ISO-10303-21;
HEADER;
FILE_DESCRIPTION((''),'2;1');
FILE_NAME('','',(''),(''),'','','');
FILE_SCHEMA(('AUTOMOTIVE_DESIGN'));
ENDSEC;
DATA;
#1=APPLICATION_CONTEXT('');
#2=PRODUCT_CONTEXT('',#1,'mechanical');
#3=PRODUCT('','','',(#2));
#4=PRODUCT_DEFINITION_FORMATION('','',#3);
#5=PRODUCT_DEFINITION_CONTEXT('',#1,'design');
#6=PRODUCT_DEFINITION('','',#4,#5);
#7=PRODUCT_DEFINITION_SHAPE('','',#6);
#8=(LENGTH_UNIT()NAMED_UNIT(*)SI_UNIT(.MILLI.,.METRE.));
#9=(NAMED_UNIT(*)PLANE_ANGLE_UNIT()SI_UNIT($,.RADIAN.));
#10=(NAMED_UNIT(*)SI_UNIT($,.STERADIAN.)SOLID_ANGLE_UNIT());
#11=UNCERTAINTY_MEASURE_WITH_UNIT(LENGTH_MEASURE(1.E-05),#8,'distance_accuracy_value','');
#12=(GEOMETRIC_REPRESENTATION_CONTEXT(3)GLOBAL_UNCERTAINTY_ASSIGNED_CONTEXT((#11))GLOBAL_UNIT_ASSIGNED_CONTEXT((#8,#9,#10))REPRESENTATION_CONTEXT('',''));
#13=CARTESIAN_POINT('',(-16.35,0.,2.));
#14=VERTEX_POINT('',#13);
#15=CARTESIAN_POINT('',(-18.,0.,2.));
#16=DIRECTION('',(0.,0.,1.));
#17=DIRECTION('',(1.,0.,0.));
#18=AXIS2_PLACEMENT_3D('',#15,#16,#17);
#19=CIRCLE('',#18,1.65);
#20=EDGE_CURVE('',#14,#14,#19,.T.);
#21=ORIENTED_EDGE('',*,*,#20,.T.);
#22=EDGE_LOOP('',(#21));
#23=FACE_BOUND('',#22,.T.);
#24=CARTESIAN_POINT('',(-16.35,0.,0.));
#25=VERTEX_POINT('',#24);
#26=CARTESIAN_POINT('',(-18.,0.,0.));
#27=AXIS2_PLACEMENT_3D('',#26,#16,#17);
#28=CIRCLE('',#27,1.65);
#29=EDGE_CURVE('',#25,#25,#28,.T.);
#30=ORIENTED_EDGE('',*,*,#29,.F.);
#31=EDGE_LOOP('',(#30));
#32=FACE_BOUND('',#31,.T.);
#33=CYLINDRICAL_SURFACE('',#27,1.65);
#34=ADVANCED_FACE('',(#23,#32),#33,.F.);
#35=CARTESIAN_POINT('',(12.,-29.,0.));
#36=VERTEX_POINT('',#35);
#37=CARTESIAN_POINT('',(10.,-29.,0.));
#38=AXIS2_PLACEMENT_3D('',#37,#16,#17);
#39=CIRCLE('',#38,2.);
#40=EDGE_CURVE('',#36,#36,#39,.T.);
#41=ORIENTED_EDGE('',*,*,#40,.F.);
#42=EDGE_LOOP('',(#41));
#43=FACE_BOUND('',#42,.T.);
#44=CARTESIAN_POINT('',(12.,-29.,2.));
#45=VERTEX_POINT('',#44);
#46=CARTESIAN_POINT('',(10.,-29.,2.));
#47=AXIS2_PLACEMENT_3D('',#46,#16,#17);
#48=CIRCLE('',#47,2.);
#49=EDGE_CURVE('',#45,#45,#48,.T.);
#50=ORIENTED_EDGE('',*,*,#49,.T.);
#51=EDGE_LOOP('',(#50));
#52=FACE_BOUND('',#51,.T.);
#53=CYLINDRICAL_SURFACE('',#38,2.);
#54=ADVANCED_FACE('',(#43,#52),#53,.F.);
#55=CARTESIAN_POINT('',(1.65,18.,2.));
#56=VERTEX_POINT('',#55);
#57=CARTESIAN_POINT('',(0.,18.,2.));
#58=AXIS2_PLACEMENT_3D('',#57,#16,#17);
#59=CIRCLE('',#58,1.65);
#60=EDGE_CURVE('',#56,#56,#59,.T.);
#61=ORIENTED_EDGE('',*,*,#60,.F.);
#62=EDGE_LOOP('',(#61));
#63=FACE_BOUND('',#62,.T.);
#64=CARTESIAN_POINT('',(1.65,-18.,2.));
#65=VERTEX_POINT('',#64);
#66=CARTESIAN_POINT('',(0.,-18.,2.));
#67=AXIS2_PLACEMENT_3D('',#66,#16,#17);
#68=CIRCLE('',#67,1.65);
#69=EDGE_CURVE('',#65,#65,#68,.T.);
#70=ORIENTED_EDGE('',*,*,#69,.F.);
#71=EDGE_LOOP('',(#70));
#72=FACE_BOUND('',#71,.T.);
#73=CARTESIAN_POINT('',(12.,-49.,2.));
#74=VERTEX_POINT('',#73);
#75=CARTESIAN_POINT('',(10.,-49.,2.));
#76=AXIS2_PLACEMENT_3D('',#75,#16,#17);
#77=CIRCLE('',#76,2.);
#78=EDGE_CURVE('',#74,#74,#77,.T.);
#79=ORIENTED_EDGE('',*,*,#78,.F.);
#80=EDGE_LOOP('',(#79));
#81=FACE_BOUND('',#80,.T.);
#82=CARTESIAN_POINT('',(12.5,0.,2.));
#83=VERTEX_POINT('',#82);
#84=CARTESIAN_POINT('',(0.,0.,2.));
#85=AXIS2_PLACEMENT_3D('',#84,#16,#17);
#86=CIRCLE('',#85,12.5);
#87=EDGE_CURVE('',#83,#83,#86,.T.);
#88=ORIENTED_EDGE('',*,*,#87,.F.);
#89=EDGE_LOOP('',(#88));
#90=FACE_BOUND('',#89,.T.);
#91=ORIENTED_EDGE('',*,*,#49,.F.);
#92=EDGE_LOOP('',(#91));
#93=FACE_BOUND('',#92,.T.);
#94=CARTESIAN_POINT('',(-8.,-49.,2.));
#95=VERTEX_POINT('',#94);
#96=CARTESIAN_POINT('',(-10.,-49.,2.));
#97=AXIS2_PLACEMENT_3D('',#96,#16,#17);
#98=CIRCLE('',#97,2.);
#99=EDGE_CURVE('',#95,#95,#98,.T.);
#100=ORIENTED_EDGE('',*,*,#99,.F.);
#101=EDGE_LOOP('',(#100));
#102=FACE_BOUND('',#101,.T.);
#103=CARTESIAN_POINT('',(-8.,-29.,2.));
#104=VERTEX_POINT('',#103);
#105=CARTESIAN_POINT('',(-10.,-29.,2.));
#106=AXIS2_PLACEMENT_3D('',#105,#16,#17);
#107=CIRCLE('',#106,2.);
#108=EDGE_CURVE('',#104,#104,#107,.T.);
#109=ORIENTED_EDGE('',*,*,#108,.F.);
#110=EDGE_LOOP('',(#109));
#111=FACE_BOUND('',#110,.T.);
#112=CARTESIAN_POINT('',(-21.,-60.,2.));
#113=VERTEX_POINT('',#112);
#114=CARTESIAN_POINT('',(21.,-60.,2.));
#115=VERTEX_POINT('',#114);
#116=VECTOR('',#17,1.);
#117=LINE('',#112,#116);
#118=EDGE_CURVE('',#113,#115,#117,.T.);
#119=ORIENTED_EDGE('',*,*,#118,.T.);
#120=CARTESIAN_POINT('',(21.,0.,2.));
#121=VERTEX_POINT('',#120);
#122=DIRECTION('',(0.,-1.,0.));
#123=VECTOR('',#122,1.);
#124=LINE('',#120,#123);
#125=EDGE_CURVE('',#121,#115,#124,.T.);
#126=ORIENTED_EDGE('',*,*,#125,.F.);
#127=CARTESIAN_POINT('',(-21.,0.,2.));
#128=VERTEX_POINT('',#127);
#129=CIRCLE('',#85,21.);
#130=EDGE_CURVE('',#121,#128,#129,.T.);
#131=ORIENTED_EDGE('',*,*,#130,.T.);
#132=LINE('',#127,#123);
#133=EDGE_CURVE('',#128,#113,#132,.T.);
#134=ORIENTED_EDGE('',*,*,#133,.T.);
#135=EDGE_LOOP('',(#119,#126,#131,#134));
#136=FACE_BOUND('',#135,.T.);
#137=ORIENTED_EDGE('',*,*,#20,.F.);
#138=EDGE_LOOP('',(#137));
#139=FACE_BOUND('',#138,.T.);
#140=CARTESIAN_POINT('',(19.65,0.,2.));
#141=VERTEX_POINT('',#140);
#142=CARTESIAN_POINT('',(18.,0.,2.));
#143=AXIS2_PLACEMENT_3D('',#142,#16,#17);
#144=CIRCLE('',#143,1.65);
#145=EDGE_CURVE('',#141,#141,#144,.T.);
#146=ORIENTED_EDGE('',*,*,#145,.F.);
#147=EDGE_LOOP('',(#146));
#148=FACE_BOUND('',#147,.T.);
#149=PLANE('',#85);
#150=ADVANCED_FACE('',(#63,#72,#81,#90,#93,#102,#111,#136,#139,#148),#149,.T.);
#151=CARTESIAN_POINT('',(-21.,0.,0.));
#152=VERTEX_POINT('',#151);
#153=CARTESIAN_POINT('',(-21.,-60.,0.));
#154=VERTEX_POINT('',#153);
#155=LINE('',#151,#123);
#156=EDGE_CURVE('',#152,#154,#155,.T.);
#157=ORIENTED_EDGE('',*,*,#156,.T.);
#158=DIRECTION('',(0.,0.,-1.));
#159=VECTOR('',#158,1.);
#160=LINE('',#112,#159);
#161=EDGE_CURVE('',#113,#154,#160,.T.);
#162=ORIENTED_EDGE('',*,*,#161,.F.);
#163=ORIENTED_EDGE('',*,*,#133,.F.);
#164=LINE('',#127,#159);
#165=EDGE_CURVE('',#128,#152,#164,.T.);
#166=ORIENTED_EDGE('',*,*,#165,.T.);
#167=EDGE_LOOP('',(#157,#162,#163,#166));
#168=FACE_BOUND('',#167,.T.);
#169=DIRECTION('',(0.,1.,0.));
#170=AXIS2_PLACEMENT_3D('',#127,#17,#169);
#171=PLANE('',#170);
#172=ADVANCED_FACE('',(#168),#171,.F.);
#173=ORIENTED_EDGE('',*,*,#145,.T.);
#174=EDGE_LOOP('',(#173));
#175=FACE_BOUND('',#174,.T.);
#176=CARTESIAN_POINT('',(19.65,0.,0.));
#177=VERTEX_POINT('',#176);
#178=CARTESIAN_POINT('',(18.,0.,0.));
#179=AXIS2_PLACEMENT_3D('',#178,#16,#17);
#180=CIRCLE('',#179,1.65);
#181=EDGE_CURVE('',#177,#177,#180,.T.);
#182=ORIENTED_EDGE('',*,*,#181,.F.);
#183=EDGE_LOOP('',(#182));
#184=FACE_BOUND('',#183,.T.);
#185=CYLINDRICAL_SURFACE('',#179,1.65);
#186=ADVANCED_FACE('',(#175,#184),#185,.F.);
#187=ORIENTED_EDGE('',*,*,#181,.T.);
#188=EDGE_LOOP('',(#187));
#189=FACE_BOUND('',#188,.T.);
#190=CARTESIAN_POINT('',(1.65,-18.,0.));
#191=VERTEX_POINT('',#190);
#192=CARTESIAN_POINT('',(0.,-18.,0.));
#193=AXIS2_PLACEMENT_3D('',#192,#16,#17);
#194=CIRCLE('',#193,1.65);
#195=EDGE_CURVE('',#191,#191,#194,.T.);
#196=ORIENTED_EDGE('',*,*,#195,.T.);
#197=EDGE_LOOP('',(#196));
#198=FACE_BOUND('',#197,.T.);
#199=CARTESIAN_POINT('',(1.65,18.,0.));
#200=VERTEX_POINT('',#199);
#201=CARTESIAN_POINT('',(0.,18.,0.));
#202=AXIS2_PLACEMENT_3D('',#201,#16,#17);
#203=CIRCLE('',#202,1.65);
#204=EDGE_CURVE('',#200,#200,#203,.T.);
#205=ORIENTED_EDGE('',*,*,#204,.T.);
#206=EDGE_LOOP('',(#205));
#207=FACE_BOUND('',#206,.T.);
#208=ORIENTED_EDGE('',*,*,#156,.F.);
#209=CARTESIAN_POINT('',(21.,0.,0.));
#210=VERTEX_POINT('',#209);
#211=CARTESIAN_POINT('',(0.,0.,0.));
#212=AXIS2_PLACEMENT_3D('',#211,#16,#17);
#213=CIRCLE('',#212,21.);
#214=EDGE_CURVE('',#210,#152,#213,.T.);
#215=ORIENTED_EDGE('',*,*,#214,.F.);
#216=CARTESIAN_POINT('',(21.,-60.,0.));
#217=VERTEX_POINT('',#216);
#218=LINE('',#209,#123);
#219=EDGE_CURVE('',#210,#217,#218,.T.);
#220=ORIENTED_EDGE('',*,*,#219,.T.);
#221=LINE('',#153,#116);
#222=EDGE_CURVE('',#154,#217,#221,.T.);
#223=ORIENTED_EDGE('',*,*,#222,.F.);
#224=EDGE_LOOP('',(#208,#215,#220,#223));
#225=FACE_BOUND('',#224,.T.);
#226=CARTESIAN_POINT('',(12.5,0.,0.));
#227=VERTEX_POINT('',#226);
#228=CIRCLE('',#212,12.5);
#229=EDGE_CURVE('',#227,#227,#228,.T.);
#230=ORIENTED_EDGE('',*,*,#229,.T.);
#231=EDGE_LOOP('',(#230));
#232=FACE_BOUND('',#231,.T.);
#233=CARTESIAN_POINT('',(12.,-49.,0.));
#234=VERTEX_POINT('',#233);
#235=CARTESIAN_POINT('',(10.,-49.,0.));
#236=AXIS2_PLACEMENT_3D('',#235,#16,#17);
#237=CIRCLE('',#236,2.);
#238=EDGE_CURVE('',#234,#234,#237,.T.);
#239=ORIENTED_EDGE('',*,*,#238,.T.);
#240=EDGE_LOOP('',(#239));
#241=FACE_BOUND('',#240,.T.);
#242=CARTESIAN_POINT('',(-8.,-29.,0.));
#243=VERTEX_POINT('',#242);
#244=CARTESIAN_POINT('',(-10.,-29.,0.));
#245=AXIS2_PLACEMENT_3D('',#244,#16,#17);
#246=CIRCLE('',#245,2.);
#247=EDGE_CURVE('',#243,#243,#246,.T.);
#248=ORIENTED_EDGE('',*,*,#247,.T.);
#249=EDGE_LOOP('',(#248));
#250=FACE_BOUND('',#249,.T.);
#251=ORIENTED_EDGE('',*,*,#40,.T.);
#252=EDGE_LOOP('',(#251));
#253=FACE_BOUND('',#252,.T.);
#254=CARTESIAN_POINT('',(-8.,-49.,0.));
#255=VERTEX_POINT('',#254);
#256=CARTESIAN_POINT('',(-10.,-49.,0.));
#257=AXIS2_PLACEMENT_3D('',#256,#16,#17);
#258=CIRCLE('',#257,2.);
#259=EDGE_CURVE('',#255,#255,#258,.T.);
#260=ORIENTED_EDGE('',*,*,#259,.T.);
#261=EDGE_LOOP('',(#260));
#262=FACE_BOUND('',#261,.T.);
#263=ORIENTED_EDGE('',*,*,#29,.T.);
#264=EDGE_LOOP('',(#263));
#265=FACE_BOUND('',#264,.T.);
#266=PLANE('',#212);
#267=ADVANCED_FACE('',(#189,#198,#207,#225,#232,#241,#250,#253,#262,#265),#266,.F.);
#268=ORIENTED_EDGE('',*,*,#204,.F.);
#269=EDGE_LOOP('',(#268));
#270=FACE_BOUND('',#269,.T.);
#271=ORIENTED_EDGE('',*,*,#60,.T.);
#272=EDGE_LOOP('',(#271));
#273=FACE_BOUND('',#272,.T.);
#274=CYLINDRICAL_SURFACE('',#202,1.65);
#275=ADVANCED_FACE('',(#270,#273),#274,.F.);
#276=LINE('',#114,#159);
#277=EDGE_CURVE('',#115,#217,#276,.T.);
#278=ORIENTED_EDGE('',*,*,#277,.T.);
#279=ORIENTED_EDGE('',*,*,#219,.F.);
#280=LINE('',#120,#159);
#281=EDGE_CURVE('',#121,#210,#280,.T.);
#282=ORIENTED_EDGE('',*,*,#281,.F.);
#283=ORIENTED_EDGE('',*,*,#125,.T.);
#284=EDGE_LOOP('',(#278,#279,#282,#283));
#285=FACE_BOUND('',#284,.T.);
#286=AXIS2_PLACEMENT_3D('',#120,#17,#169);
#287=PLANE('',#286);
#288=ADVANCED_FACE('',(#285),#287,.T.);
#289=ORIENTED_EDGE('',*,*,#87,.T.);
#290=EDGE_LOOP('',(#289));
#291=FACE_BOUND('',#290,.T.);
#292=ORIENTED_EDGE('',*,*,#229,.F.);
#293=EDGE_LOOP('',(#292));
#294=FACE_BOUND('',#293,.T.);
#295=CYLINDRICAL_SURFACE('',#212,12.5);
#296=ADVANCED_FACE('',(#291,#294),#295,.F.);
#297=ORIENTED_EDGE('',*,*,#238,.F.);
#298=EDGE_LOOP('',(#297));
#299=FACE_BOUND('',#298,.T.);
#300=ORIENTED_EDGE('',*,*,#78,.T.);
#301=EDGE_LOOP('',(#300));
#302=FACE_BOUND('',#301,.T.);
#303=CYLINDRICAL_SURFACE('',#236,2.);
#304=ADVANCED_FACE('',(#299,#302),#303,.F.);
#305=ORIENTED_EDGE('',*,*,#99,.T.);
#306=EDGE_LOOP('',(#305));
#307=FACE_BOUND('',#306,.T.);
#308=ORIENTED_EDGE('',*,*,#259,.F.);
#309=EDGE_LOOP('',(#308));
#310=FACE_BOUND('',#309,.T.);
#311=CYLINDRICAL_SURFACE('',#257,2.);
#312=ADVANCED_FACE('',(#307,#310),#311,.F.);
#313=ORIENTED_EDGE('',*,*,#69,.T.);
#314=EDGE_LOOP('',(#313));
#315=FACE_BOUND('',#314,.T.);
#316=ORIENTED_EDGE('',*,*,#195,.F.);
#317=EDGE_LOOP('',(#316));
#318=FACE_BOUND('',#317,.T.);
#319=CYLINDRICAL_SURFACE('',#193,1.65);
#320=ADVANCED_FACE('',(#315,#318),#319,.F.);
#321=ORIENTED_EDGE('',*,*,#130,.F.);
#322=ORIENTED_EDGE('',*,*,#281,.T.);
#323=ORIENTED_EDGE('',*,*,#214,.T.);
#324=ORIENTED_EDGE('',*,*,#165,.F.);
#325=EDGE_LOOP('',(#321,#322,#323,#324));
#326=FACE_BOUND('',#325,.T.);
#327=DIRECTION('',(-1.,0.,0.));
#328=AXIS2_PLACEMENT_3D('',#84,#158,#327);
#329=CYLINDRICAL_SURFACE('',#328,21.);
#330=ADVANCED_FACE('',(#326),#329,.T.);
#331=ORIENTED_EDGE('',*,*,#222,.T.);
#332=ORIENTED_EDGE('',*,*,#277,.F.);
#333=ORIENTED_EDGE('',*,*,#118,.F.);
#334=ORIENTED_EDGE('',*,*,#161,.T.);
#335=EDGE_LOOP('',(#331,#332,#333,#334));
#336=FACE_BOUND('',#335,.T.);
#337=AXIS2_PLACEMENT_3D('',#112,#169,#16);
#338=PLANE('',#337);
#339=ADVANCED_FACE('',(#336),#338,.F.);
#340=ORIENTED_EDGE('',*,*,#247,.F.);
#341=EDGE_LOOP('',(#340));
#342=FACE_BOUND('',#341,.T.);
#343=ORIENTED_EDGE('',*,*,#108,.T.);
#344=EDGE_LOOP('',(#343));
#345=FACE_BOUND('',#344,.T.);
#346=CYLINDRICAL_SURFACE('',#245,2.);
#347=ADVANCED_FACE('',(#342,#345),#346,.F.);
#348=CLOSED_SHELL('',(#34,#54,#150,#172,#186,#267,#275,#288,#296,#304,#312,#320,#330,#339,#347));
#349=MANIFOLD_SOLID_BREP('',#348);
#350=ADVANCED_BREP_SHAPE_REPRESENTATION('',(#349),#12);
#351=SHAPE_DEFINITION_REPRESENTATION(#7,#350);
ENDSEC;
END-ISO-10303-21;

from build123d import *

# Parameters (mm, degrees)
ESTRUSIONE_ESTRUSIONE1_DEPTH = 2
SCHIZZO2_R                   = 1.65
TAGLIO_ESTRUSIONE1_DEPTH     = 2
SCHIZZO3_R                   = 12.5
TAGLIO_ESTRUSIONE2_DEPTH     = 2
SCHIZZO4_R                   = 2
TAGLIO_ESTRUSIONE3_DEPTH     = 2


with BuildPart() as part:
    # Schizzo1 → Estrusione-Estrusione1 (new body)
    with BuildSketch(Plane.XY):
        with BuildLine():
            Line((21, 0), (21, -60))
            Line((21, -60), (-21, -60))
            Line((-21, -60), (-21, 0))
            ThreePointArc((-21, 0), (0, 21), (21, 0))
        make_face()
    extrude(amount=ESTRUSIONE_ESTRUSIONE1_DEPTH)

    # Schizzo2 → Taglio-Estrusione1 (cut)
    with BuildSketch(Plane.XY.offset(2)):
        with Locations((-18, 0)):
            Circle(SCHIZZO2_R)
        with Locations((18, 0)):
            Circle(SCHIZZO2_R)
        with Locations((0, 18)):
            Circle(SCHIZZO2_R)
        with Locations((0, -18)):
            Circle(SCHIZZO2_R)
    extrude(amount=-TAGLIO_ESTRUSIONE1_DEPTH, mode=Mode.SUBTRACT)

    # Schizzo3 → Taglio-Estrusione2 (cut)
    with BuildSketch(Plane.XY.offset(2)):
        Circle(SCHIZZO3_R)
    extrude(amount=-TAGLIO_ESTRUSIONE2_DEPTH, mode=Mode.SUBTRACT)

    # Schizzo4 → Taglio-Estrusione3 (cut)
    with BuildSketch(Plane.XY.offset(2)):
        with Locations((-10, -29)):
            Circle(SCHIZZO4_R)
        with Locations((10, -29)):
            Circle(SCHIZZO4_R)
        with Locations((10, -49)):
            Circle(SCHIZZO4_R)
        with Locations((-10, -49)):
            Circle(SCHIZZO4_R)
    extrude(amount=-TAGLIO_ESTRUSIONE3_DEPTH, mode=Mode.SUBTRACT)


solid = part.part
